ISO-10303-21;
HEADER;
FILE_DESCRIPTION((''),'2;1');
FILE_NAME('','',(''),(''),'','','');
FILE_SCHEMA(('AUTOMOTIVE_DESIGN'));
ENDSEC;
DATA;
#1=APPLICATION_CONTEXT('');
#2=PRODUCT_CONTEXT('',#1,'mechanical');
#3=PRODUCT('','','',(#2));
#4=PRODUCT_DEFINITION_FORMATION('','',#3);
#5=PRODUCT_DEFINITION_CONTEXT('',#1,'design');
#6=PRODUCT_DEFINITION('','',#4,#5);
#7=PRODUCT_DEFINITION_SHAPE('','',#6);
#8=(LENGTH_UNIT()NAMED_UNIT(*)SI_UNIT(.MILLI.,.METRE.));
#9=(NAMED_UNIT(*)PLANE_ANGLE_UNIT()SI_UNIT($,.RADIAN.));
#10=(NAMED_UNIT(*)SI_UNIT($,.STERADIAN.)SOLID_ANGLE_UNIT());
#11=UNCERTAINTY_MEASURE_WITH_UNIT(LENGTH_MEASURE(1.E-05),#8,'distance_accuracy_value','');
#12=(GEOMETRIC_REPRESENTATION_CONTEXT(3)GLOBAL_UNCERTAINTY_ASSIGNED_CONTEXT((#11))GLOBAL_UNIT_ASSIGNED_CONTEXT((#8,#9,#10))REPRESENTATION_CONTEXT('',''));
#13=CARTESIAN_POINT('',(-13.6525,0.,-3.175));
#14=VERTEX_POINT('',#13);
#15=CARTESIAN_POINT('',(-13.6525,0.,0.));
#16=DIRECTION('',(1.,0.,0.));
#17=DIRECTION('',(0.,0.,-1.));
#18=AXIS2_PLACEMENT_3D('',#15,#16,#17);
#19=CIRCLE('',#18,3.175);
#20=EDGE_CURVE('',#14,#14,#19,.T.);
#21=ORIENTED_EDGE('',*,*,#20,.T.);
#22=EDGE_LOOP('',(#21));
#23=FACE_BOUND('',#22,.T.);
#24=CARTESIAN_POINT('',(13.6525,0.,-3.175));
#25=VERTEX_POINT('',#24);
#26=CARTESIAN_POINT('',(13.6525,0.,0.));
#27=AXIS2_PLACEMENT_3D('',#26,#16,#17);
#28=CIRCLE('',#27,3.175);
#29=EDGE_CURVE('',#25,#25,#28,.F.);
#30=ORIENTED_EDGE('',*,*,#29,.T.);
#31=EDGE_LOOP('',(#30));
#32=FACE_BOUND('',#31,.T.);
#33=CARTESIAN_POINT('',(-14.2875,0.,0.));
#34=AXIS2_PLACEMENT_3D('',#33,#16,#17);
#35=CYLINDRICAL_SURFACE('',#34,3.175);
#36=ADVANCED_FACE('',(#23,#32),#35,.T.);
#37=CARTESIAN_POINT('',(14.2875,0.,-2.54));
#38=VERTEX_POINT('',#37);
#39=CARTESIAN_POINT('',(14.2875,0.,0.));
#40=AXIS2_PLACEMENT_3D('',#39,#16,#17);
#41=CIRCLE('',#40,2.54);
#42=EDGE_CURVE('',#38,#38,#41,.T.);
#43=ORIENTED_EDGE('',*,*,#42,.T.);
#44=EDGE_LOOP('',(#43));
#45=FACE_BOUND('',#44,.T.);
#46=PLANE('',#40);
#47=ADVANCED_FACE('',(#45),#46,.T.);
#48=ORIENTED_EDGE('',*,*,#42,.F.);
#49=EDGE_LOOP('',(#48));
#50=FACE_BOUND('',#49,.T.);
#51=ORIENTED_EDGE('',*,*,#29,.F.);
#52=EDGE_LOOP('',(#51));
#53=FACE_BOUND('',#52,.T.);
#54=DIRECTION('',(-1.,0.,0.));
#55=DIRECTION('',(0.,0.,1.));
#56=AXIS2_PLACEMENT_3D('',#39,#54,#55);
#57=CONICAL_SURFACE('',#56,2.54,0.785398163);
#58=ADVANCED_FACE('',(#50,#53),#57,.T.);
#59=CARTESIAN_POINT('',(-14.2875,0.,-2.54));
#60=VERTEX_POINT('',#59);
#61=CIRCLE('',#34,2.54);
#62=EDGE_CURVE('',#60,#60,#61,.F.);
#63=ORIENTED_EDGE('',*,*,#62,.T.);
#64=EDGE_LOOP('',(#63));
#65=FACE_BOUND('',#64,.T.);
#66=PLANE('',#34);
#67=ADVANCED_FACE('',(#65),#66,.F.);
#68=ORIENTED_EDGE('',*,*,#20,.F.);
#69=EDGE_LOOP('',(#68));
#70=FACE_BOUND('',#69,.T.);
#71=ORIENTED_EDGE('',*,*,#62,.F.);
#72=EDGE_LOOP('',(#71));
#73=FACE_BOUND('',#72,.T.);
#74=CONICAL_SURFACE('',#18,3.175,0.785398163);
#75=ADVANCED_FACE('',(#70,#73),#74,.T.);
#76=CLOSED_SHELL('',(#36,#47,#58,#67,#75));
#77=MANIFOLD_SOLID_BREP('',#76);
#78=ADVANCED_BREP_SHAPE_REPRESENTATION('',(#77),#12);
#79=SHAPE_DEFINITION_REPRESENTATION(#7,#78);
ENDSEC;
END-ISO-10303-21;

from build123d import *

# Parameters (mm, degrees)
EXTRUDE1_DEPTH      = 14.2875
EXTRUDE1_DEPTH_BACK = 14.2875
SKETCH2_R           = 3.175
CHAMFER1_SIZE       = 0.635


with BuildPart() as part:
    # Sketch2 → Extrude1 (new, two sides: drawn at the far end of the back side and taken through both)
    with BuildSketch(Plane(origin=(0, 0, 0), x_dir=(0, 0, -1), z_dir=(1, 0, 0)).offset(-EXTRUDE1_DEPTH_BACK)):
        Circle(SKETCH2_R)
    extrude(amount=EXTRUDE1_DEPTH + EXTRUDE1_DEPTH_BACK)

    # Chamfer1
    chamfer1_edges = [part.edges().sort_by_distance(p)[0] for p in [
        (-14.2875, 0, 3.175),
        (14.2875, 0, 3.175),
    ]]
    chamfer(chamfer1_edges, length=CHAMFER1_SIZE)


solid = part.part
